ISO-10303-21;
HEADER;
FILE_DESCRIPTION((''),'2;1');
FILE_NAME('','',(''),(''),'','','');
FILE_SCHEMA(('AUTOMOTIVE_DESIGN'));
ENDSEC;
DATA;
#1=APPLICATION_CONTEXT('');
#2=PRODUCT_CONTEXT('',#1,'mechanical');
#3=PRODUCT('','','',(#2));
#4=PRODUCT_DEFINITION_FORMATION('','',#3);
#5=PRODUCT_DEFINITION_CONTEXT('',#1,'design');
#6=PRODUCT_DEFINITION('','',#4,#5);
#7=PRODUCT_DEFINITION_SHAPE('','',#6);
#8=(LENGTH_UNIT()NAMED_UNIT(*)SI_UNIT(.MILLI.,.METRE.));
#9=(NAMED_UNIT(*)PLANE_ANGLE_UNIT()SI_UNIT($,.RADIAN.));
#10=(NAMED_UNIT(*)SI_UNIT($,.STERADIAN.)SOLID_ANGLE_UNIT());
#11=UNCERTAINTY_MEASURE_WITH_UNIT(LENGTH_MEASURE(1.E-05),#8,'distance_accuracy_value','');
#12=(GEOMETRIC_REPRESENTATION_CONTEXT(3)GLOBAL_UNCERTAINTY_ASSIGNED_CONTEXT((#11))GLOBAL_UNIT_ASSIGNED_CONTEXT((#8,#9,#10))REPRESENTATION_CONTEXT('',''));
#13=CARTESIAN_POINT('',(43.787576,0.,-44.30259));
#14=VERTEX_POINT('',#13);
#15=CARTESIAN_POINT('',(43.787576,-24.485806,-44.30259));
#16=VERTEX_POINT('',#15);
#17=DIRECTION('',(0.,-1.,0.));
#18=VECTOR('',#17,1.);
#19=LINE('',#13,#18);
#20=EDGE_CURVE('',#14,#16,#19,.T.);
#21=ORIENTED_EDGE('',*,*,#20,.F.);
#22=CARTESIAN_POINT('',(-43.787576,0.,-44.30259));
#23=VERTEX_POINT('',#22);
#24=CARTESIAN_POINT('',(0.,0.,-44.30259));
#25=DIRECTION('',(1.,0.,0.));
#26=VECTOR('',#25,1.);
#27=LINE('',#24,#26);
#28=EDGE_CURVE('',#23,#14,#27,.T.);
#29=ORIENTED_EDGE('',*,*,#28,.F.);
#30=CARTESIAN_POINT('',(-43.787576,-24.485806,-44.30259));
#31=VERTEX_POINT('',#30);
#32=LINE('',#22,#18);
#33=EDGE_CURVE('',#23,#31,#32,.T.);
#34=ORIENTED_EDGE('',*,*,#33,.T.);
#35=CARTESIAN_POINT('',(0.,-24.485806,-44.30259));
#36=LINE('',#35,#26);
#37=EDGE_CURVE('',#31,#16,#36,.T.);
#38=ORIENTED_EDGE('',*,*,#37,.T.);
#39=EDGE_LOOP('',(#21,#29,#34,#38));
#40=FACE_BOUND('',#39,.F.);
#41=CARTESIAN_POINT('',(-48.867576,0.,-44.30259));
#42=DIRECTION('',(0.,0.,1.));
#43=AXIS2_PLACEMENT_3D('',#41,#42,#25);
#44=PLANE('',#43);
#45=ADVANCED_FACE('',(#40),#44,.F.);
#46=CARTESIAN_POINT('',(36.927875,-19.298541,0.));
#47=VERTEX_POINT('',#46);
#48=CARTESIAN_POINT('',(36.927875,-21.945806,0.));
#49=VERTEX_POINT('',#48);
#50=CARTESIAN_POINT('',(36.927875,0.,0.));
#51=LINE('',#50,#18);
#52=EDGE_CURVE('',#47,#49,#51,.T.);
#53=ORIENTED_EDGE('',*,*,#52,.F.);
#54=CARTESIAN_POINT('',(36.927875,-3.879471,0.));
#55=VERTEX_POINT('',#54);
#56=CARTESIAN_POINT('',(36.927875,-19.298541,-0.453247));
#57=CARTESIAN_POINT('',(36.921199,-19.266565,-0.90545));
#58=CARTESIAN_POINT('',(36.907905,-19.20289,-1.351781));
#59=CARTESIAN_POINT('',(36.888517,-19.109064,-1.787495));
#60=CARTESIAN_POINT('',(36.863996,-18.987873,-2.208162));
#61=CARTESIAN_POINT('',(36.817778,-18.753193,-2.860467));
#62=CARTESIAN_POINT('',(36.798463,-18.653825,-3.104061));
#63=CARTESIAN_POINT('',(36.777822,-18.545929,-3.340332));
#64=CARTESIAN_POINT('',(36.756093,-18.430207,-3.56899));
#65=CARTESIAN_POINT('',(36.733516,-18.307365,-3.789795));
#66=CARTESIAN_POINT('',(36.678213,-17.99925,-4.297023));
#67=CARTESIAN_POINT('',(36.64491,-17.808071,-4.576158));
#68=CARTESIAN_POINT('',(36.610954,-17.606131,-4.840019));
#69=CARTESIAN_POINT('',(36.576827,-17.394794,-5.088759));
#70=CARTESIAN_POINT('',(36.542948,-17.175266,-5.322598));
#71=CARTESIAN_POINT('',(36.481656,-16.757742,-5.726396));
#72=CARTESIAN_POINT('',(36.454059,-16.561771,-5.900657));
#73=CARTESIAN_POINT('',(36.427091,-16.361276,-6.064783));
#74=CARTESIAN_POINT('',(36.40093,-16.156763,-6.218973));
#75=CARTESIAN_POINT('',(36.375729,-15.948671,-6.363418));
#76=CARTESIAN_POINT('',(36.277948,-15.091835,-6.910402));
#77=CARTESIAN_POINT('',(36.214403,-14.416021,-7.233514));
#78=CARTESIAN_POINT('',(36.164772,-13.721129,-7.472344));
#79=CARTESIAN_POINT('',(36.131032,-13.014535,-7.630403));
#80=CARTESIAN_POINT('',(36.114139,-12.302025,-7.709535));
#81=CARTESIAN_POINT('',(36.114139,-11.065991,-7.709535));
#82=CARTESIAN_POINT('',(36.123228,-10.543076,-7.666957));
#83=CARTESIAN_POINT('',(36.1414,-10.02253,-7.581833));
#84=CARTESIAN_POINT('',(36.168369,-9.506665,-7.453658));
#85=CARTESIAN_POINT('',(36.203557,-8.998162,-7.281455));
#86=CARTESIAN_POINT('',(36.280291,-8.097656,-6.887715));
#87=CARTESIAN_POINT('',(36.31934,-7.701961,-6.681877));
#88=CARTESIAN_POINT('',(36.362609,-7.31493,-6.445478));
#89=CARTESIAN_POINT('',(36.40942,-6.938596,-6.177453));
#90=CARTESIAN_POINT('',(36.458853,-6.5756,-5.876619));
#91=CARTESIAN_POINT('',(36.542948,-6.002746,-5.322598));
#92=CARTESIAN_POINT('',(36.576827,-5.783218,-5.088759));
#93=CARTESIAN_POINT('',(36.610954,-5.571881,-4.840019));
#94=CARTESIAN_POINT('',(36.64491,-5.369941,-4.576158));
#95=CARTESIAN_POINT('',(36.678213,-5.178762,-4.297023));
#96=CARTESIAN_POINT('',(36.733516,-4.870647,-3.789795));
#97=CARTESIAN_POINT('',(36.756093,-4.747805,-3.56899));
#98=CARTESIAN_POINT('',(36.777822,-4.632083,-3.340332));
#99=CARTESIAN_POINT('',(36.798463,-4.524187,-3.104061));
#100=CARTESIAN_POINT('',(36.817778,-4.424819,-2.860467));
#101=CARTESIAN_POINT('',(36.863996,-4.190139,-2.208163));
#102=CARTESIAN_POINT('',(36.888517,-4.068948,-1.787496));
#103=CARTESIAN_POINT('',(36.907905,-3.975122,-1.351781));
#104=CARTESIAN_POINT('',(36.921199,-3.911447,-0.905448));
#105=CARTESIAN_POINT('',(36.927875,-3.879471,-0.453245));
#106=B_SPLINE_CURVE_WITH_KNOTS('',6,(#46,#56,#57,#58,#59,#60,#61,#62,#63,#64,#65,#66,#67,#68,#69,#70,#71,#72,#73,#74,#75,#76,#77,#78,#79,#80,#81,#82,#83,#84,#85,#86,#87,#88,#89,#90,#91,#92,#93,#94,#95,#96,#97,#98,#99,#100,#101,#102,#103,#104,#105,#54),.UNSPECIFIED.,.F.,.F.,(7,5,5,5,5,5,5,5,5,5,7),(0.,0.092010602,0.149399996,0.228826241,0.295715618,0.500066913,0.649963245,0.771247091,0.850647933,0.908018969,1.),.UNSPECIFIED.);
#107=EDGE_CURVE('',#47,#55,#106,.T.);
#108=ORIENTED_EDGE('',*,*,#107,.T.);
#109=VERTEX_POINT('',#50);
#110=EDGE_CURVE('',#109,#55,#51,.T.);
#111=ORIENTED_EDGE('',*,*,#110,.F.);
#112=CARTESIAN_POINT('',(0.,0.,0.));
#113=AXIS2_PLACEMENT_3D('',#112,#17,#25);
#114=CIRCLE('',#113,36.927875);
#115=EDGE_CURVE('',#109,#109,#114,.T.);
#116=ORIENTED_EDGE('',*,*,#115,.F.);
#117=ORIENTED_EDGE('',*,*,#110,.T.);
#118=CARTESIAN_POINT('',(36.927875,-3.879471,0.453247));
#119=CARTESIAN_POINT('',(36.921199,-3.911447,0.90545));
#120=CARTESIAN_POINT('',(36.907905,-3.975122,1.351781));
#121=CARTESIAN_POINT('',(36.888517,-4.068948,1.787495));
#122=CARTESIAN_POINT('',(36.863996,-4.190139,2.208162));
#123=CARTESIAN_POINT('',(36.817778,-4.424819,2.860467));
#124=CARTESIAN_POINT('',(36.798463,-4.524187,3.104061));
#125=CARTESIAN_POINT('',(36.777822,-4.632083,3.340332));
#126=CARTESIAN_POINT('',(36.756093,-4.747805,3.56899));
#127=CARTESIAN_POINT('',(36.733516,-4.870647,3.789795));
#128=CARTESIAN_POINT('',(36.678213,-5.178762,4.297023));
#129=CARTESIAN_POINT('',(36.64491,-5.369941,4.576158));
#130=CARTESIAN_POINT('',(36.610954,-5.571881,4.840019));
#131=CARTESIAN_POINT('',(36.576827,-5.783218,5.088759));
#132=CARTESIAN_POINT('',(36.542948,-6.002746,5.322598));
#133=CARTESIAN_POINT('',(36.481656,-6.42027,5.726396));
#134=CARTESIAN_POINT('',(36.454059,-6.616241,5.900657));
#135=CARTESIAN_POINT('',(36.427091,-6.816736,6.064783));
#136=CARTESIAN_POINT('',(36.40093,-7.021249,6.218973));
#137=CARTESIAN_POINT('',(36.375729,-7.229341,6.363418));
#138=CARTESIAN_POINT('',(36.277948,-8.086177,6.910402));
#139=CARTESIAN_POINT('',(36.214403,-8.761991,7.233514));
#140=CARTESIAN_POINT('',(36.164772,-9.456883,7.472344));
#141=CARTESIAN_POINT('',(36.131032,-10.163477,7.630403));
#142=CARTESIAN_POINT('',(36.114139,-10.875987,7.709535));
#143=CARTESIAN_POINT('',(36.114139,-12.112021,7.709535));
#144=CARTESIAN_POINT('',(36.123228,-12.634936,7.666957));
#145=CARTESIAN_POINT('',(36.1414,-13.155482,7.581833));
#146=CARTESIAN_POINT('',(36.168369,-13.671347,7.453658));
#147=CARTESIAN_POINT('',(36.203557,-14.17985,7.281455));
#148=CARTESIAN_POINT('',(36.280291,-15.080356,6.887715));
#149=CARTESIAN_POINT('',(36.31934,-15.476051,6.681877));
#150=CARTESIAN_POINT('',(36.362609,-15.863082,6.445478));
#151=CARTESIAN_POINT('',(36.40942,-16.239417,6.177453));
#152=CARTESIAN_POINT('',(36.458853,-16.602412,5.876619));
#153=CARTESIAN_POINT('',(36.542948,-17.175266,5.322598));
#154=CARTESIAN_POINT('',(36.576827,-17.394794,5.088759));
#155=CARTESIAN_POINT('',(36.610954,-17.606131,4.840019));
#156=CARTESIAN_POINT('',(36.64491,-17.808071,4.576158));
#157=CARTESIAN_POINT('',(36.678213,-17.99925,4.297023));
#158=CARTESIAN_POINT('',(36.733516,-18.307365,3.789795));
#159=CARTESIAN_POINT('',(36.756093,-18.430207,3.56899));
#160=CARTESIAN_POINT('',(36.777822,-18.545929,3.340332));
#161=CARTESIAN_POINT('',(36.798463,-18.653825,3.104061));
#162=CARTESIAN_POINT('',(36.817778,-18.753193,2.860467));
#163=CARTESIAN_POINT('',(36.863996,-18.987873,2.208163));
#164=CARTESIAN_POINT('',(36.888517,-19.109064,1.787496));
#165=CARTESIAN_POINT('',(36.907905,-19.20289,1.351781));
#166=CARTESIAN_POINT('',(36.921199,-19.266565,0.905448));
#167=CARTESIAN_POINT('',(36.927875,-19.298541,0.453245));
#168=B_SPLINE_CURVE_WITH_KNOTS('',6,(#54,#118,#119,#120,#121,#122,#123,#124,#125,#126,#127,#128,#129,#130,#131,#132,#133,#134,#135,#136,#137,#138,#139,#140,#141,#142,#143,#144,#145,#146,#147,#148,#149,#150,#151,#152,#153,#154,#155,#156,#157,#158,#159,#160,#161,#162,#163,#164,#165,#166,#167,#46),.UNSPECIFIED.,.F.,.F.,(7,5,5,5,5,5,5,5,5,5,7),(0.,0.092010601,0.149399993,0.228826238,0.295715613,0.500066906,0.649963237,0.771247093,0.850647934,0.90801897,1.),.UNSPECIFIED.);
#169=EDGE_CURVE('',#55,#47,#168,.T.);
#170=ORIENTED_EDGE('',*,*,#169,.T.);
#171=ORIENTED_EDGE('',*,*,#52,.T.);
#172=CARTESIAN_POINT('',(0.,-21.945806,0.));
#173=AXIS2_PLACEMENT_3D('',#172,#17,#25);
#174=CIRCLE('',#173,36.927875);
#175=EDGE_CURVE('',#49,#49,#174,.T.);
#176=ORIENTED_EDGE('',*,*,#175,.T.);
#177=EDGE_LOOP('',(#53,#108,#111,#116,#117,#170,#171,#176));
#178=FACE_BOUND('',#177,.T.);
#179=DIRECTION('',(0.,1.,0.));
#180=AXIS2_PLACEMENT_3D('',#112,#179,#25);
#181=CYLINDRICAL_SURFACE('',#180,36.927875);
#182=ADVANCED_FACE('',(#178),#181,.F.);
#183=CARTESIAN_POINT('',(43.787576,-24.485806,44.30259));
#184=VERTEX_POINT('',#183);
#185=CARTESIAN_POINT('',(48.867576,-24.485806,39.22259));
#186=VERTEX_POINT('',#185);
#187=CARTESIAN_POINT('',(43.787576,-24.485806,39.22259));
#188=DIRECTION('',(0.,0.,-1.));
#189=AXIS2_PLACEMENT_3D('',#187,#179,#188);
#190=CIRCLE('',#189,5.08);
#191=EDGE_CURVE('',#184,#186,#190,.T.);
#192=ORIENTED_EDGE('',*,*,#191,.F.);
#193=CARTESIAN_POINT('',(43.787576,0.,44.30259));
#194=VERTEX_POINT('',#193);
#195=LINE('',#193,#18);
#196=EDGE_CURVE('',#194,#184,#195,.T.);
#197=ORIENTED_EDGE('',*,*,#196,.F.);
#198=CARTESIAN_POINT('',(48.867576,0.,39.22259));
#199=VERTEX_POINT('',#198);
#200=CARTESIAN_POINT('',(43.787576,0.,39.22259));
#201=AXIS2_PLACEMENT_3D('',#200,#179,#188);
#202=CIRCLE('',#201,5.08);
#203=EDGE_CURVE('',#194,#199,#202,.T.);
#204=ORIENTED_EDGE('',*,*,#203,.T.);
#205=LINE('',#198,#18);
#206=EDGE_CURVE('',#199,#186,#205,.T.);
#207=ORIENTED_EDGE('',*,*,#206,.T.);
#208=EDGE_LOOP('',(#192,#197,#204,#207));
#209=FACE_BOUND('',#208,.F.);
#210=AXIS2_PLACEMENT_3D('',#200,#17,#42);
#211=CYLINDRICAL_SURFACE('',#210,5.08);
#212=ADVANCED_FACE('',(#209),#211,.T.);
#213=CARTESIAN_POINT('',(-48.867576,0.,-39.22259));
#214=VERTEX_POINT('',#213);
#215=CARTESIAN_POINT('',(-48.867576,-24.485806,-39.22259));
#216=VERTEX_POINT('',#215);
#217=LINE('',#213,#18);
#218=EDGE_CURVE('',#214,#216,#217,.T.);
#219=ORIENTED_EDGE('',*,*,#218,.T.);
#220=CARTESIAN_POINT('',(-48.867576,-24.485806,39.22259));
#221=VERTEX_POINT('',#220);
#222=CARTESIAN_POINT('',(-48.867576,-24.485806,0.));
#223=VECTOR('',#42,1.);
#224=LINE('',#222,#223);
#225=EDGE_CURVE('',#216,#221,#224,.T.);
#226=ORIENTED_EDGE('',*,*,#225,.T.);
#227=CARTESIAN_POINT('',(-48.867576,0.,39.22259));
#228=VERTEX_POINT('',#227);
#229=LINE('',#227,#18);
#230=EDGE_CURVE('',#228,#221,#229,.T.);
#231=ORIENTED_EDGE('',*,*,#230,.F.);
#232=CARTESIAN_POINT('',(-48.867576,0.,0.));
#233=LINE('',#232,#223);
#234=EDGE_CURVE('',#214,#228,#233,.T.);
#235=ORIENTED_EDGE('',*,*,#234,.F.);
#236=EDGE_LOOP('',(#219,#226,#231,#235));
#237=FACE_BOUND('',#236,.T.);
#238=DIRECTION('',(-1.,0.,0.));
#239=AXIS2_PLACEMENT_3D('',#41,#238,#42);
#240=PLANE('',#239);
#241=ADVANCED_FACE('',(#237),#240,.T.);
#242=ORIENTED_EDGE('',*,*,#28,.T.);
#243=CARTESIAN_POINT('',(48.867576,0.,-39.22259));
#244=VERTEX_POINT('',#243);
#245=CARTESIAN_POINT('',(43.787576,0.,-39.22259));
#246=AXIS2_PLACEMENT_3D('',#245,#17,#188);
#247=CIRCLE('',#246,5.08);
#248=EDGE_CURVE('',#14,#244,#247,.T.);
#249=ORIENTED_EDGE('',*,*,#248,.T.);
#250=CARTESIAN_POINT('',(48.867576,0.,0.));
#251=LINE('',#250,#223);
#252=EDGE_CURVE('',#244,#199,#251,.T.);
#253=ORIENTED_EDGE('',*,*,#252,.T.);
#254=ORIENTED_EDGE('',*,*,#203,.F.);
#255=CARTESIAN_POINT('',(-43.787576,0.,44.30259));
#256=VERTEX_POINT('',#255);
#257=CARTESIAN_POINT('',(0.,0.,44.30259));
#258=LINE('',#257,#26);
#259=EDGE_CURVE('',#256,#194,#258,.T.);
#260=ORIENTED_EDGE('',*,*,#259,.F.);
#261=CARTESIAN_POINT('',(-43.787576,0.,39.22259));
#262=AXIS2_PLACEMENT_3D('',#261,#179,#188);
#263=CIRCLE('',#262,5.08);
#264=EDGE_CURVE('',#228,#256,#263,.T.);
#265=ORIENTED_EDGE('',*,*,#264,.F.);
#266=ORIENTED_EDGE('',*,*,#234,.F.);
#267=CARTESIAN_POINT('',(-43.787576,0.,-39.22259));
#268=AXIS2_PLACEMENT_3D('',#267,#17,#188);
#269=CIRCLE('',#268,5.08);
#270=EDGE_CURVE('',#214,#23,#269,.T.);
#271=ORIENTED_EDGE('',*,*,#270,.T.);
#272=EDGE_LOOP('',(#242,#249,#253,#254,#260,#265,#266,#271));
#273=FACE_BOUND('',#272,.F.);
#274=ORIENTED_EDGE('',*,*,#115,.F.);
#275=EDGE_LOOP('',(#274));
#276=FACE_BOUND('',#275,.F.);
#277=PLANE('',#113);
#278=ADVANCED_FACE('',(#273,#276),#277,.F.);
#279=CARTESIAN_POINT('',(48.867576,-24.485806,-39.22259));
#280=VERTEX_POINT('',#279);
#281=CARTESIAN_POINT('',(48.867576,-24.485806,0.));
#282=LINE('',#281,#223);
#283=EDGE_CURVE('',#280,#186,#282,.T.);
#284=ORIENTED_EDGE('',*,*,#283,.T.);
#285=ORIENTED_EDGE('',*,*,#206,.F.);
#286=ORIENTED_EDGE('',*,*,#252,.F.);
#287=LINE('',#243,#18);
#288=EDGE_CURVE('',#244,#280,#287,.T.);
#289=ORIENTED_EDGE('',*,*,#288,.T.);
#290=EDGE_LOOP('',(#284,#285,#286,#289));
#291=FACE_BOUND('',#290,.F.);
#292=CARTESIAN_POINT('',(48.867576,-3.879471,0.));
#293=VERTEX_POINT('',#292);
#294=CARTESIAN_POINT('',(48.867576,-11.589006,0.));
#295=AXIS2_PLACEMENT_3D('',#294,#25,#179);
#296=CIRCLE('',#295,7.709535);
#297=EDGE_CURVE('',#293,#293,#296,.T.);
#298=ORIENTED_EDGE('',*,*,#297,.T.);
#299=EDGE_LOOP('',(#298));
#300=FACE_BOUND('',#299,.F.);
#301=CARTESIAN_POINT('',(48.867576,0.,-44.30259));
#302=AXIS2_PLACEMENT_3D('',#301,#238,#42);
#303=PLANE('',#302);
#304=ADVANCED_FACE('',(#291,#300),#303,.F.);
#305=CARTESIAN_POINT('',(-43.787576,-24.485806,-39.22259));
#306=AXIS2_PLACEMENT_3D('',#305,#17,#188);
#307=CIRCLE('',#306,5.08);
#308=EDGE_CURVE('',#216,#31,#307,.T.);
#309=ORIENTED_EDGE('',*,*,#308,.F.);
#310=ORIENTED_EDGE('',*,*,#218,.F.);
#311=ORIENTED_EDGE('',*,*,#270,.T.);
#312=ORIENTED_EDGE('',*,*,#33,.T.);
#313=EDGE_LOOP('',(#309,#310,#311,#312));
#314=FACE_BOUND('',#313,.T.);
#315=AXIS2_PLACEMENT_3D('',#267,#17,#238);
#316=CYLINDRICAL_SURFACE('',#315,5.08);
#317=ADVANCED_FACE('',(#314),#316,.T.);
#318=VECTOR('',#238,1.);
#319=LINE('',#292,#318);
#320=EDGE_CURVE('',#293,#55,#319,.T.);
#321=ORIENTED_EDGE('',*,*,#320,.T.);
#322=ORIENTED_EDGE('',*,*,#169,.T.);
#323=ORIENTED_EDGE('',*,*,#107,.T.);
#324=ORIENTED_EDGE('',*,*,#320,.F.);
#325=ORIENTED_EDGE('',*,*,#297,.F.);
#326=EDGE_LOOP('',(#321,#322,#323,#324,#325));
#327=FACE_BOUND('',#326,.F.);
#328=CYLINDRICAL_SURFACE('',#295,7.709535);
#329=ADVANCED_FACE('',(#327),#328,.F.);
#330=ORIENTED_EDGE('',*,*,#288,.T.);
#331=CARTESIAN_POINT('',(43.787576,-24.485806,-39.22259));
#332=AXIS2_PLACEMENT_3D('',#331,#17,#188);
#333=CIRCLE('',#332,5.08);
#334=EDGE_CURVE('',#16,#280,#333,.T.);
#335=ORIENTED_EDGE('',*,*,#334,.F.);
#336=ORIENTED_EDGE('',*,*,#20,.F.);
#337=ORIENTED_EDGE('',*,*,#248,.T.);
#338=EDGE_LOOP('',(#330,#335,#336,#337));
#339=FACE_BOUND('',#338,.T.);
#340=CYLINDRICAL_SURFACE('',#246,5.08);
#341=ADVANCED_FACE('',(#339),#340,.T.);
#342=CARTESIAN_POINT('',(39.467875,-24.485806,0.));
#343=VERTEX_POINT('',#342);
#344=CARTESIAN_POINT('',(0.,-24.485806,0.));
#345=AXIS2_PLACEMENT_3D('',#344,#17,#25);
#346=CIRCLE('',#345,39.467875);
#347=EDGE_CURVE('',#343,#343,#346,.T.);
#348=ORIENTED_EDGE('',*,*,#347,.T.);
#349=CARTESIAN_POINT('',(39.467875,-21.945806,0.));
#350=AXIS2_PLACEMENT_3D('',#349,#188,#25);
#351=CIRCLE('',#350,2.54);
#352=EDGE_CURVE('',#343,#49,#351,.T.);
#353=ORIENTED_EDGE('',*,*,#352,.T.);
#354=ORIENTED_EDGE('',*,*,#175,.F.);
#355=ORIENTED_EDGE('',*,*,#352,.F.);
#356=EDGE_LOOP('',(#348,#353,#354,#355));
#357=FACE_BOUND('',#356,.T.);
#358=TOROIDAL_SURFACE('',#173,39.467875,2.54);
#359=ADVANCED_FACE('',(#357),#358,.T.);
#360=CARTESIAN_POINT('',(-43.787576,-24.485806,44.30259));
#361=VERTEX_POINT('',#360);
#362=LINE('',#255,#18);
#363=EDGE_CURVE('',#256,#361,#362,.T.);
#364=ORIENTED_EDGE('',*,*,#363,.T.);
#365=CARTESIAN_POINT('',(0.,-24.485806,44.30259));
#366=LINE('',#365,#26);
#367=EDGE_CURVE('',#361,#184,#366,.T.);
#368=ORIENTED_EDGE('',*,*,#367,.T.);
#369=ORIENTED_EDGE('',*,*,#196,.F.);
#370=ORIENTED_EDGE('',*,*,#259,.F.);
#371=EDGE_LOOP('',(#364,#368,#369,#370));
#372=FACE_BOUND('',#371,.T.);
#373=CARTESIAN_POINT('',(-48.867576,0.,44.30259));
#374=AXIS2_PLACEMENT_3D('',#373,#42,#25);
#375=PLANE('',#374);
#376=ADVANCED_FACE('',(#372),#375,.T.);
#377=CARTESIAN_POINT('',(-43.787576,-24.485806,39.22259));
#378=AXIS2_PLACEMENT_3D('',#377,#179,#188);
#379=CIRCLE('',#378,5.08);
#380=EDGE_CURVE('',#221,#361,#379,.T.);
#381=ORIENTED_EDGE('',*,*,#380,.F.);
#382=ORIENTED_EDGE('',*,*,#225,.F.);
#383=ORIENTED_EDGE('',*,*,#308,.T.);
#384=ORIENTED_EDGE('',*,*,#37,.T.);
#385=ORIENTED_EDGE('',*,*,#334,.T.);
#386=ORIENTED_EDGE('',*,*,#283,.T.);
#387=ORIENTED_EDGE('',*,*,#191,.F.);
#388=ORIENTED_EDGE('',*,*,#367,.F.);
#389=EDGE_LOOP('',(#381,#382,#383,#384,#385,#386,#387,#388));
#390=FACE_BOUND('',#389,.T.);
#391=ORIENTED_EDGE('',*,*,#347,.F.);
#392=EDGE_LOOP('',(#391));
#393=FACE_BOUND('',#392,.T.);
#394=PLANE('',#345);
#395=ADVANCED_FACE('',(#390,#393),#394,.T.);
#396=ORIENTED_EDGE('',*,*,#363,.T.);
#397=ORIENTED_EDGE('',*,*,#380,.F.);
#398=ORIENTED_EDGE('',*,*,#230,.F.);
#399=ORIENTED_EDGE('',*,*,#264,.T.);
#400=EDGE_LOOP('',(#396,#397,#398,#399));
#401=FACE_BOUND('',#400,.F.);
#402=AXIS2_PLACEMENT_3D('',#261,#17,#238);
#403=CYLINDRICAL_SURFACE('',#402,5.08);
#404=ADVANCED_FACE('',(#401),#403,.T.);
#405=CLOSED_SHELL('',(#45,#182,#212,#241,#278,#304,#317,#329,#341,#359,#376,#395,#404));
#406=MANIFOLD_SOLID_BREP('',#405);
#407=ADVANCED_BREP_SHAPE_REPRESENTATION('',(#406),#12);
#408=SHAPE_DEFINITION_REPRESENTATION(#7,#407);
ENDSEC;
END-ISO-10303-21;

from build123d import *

# Parameters (mm, degrees)
F0_W     = 97.735152
F0_H     = 88.60518
F0_R     = 36.927875
F1_DEPTH = 24.485806
F2_R     = 5.08
F3_R     = 7.709535
F4_DEPTH = 25.4
F5_R     = 2.54


with BuildPart() as f1:
    # F0 (on Front) → F1 (new body)
    with BuildSketch(Plane.XZ):
        Rectangle(F0_W, F0_H)
        Circle(F0_R, mode=Mode.SUBTRACT)
    extrude(amount=F1_DEPTH)

    # F2
    f2_edges = [f1.edges().sort_by_distance(p)[0] for p in [
        (48.867576, -12.242903, 44.30259),
        (48.867576, -12.242903, -44.30259),
        (-48.867576, -12.242903, 44.30259),
        (-48.867576, -12.242903, -44.30259),
    ]]
    fillet(f2_edges, radius=F2_R)

    # F3 (on face) → F4 (cut)
    with BuildSketch(Plane.YZ.offset(48.867576)):
        with Locations((-11.589006, 0)):
            Circle(F3_R)
    extrude(amount=-F4_DEPTH, mode=Mode.SUBTRACT)

    # F5
    f5_edges = [f1.edges().sort_by_distance(p)[0] for p in [
        (-36.927875, -24.485806, 0),
    ]]
    fillet(f5_edges, radius=F5_R)


solid = f1.part
